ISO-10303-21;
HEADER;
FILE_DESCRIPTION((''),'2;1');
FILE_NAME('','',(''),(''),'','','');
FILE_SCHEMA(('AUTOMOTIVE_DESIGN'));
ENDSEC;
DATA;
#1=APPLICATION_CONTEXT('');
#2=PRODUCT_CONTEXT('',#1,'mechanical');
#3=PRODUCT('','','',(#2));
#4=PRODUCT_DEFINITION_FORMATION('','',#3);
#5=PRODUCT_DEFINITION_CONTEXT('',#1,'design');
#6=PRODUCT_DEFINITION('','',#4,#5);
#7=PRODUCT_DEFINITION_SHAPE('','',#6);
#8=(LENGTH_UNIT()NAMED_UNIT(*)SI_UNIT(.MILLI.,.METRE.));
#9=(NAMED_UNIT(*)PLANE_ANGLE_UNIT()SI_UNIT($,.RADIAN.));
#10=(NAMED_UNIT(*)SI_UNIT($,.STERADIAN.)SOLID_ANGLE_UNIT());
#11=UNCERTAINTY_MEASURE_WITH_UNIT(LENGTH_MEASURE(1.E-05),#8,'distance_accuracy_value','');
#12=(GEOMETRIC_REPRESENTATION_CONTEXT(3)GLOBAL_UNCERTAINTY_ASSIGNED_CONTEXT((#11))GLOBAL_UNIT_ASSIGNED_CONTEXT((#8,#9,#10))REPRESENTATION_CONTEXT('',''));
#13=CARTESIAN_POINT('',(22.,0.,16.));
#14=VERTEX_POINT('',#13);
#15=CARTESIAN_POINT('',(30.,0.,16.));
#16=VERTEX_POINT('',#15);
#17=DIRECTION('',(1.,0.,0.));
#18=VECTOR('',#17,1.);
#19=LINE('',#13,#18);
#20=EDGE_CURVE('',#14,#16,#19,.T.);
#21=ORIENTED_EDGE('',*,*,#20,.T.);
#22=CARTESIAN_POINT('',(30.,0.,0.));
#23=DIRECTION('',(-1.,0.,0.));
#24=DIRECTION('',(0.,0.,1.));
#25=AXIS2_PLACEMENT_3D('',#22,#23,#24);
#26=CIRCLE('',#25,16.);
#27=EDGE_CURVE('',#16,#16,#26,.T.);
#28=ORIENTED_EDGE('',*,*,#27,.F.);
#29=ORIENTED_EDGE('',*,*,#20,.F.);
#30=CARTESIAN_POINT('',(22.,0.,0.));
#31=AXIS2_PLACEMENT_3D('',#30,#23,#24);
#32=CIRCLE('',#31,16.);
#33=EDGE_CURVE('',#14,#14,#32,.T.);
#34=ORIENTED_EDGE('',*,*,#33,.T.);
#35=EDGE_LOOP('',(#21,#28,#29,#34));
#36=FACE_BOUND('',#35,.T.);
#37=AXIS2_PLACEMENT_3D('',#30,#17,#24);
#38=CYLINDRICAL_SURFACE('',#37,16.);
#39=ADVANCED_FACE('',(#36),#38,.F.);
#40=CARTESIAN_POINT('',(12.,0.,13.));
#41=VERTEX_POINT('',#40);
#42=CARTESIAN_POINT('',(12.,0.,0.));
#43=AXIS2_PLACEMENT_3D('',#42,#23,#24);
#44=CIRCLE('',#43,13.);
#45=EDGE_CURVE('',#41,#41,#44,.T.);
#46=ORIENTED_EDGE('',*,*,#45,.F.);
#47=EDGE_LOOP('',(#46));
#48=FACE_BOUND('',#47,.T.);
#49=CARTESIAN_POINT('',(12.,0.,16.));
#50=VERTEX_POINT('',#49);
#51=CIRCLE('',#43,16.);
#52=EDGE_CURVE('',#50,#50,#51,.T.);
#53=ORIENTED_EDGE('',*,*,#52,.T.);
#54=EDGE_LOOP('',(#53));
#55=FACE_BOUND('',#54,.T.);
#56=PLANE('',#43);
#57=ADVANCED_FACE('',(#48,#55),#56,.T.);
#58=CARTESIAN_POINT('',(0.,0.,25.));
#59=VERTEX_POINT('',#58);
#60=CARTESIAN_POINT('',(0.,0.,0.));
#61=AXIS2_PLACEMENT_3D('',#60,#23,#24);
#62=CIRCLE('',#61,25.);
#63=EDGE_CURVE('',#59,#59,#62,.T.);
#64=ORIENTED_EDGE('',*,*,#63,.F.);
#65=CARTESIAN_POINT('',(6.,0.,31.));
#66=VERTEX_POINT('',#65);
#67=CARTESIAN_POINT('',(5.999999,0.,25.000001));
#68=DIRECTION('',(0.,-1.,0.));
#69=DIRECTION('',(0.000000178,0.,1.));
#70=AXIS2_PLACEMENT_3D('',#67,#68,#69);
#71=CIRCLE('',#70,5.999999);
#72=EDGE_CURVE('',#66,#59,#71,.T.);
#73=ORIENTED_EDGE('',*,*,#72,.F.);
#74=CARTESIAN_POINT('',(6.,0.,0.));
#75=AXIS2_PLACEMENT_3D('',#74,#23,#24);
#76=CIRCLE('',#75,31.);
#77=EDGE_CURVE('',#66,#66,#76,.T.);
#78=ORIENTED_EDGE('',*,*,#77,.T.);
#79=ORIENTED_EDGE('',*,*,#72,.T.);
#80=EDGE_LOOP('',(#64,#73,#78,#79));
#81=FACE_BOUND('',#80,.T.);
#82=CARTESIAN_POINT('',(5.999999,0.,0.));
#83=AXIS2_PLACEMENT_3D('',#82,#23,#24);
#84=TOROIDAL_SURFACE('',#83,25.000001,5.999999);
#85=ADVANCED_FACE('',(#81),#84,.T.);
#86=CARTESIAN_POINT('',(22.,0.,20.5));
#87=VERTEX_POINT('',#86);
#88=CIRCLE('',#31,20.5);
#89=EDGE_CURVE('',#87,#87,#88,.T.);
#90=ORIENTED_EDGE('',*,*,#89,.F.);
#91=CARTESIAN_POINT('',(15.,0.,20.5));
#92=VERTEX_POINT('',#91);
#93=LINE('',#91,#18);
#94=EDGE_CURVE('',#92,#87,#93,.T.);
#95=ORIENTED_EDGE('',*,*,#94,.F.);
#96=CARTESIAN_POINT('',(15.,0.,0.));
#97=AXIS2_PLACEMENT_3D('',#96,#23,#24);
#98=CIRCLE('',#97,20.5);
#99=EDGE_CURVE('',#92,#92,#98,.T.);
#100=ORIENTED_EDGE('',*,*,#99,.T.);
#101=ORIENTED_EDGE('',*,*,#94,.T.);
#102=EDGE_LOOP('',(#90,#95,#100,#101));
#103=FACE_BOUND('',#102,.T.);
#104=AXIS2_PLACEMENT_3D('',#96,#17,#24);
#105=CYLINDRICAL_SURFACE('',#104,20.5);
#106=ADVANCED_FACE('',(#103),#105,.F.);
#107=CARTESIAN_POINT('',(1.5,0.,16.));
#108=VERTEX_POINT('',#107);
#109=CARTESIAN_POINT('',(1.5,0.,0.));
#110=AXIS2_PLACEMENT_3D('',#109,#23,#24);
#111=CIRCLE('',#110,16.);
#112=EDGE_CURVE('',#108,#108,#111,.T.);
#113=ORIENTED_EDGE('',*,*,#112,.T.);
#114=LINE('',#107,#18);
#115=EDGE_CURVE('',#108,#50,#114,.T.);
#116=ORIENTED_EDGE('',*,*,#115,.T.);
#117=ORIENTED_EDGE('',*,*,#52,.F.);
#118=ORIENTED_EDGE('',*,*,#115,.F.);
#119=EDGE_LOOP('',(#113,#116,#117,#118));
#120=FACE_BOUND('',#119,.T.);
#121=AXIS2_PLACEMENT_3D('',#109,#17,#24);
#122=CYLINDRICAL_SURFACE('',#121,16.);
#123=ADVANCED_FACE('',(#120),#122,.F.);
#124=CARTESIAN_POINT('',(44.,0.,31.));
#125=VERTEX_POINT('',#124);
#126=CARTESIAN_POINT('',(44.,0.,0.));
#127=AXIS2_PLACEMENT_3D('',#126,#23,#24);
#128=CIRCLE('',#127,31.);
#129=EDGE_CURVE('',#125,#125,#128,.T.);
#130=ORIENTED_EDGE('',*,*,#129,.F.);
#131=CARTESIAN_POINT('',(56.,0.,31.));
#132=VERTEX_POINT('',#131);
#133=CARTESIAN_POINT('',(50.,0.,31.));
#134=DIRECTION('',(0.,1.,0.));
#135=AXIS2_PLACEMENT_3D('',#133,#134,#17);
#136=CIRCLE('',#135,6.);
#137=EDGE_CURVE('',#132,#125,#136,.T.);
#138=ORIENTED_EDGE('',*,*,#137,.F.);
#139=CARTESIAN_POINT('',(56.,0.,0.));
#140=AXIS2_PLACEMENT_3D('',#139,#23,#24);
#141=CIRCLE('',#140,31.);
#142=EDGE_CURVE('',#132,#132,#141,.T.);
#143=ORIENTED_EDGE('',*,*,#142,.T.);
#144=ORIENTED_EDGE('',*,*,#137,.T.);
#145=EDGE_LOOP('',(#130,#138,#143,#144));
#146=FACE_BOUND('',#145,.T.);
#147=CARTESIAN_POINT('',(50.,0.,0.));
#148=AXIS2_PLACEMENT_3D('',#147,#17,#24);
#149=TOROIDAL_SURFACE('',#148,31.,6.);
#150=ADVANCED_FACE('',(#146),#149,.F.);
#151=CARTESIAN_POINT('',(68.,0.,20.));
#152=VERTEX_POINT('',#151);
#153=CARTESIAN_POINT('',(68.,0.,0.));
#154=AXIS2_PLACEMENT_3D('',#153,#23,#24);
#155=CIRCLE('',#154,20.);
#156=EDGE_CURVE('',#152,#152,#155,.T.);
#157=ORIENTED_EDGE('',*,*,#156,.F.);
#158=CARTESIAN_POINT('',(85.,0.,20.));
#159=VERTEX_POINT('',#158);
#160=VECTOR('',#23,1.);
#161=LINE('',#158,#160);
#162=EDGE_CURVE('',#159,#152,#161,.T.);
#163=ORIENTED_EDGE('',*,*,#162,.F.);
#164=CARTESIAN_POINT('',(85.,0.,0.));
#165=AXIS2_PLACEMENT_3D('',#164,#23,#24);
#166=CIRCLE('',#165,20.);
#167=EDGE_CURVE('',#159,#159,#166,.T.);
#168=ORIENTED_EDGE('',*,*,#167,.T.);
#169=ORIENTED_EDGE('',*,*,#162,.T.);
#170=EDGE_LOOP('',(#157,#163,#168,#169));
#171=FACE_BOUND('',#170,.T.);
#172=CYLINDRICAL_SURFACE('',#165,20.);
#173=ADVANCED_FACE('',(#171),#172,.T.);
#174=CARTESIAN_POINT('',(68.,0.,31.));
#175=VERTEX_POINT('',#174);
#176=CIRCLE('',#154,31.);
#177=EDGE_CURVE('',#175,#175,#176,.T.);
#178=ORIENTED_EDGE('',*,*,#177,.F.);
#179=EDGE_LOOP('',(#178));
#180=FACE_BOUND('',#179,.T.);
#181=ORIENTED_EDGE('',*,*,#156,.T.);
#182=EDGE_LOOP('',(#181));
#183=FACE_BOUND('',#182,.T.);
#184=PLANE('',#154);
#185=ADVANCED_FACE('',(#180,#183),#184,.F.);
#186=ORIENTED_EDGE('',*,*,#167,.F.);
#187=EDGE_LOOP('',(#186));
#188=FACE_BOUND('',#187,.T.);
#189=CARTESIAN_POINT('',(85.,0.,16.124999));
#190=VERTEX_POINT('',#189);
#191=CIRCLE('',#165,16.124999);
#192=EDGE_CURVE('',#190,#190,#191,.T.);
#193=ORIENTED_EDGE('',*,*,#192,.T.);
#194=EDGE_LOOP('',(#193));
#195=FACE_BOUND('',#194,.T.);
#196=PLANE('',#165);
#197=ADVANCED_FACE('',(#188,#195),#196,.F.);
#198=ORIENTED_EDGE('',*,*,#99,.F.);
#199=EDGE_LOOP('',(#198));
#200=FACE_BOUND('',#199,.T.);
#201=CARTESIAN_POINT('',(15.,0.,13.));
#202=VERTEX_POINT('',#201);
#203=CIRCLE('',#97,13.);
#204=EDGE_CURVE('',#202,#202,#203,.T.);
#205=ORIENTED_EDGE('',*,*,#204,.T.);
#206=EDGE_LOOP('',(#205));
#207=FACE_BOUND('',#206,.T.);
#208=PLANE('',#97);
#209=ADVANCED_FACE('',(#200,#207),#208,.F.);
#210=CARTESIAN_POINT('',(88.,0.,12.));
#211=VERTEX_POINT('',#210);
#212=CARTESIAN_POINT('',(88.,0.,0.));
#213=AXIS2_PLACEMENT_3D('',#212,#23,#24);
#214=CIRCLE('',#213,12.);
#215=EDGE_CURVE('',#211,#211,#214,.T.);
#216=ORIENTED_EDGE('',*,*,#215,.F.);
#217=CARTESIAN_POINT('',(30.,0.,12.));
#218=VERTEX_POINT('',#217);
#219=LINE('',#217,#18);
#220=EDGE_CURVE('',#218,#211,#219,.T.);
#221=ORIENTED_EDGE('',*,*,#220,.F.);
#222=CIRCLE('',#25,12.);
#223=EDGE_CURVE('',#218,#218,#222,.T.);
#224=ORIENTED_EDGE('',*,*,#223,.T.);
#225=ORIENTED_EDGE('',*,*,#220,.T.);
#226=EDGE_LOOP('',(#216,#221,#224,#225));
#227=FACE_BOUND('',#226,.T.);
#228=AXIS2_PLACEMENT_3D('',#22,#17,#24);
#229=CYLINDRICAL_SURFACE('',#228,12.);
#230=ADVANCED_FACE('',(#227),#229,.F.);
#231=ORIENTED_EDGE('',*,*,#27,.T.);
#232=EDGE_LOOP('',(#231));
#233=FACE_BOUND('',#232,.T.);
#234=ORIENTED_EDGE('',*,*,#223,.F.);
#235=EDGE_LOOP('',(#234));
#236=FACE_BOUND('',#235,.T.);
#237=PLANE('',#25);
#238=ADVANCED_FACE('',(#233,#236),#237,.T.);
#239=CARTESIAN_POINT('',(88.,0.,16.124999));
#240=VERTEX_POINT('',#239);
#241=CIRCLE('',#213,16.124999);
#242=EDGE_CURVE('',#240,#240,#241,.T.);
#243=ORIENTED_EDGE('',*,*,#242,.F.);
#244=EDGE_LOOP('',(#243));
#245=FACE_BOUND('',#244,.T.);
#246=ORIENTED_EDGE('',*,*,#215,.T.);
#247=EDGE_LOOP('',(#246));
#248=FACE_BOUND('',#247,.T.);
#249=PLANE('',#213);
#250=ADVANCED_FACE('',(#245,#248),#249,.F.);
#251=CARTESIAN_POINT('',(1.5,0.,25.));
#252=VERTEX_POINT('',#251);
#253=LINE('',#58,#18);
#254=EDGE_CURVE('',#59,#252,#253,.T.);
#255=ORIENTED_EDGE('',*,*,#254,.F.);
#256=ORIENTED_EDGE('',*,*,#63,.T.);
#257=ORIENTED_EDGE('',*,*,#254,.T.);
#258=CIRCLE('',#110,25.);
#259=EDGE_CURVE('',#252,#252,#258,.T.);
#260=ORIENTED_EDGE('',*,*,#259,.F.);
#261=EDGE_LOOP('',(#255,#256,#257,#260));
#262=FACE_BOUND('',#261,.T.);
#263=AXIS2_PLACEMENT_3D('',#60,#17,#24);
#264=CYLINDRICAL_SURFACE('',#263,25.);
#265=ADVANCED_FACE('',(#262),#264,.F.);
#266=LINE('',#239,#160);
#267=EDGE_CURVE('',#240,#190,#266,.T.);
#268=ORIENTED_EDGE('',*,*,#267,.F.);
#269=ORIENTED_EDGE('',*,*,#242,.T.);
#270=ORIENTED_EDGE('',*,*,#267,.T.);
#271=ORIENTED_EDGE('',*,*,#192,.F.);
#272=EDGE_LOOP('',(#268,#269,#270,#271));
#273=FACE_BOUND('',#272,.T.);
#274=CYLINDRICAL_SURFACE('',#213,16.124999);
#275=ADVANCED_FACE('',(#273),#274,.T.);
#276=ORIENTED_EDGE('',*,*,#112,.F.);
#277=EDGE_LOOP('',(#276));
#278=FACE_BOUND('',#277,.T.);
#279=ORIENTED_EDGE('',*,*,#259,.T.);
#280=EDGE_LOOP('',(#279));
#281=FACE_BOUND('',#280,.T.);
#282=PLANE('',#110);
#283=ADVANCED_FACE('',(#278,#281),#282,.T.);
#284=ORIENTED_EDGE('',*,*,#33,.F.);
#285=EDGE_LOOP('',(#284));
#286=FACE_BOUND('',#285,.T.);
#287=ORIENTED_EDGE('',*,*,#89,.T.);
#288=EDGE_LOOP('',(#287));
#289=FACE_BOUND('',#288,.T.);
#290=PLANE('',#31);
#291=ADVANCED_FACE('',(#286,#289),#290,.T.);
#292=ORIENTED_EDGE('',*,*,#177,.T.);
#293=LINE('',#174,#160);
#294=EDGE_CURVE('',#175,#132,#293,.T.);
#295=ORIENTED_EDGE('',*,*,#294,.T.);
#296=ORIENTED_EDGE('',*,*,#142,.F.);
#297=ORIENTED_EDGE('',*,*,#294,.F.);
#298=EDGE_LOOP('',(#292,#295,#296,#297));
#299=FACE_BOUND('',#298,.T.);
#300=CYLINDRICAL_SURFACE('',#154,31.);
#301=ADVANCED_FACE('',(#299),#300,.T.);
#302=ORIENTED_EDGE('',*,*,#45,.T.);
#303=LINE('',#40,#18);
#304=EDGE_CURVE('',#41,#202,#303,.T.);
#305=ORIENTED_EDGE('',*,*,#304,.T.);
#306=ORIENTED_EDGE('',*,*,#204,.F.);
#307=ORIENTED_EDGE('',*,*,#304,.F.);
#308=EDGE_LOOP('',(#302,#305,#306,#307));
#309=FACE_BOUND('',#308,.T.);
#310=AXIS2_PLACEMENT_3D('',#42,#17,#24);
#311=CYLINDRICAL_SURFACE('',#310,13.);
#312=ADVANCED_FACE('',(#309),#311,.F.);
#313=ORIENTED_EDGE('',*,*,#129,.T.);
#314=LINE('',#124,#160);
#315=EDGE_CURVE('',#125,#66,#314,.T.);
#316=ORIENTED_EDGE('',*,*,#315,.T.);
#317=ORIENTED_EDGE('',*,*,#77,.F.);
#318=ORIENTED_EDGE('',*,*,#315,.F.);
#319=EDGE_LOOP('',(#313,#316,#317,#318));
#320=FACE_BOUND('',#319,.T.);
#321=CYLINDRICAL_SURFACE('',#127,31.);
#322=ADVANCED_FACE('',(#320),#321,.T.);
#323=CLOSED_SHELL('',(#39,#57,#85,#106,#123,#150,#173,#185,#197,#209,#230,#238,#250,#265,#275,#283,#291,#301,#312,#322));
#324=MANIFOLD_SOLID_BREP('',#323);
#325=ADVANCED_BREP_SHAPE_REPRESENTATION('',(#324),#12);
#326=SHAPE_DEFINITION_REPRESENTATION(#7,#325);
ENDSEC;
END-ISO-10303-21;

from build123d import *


with BuildPart() as f1:
    # F0 (on Front) → F1 (revolve)
    with BuildSketch(Plane.XZ):
        with BuildLine():
            ThreePointArc((6, 31), (1.757359, 29.242641), (0, 25))
            Line((0, 25), (1.5, 25))
            Line((1.5, 25), (1.5, 16))
            Line((1.5, 16), (12, 16))
            Line((12, 16), (12, 13))
            Line((12, 13), (15, 13))
            Line((15, 13), (15, 20.5))
            Line((15, 20.5), (22, 20.5))
            Line((22, 20.5), (22, 16))
            Line((22, 16), (30, 16))
            Line((30, 16), (30, 12))
            Line((30, 12), (88, 12))
            Line((88, 12), (88, 16.124999))
            Line((88, 16.124999), (85, 16.124999))
            Line((85, 16.124999), (85, 20))
            Line((85, 20), (68, 20))
            Line((68, 20), (68, 31))
            Line((68, 31), (56, 31))
            ThreePointArc((56, 31), (50, 25), (44, 31))
            Line((44, 31), (6, 31))
        make_face()
    revolve(axis=Axis((44, 0, 0), (-1, 0, 0)))


solid = f1.part
